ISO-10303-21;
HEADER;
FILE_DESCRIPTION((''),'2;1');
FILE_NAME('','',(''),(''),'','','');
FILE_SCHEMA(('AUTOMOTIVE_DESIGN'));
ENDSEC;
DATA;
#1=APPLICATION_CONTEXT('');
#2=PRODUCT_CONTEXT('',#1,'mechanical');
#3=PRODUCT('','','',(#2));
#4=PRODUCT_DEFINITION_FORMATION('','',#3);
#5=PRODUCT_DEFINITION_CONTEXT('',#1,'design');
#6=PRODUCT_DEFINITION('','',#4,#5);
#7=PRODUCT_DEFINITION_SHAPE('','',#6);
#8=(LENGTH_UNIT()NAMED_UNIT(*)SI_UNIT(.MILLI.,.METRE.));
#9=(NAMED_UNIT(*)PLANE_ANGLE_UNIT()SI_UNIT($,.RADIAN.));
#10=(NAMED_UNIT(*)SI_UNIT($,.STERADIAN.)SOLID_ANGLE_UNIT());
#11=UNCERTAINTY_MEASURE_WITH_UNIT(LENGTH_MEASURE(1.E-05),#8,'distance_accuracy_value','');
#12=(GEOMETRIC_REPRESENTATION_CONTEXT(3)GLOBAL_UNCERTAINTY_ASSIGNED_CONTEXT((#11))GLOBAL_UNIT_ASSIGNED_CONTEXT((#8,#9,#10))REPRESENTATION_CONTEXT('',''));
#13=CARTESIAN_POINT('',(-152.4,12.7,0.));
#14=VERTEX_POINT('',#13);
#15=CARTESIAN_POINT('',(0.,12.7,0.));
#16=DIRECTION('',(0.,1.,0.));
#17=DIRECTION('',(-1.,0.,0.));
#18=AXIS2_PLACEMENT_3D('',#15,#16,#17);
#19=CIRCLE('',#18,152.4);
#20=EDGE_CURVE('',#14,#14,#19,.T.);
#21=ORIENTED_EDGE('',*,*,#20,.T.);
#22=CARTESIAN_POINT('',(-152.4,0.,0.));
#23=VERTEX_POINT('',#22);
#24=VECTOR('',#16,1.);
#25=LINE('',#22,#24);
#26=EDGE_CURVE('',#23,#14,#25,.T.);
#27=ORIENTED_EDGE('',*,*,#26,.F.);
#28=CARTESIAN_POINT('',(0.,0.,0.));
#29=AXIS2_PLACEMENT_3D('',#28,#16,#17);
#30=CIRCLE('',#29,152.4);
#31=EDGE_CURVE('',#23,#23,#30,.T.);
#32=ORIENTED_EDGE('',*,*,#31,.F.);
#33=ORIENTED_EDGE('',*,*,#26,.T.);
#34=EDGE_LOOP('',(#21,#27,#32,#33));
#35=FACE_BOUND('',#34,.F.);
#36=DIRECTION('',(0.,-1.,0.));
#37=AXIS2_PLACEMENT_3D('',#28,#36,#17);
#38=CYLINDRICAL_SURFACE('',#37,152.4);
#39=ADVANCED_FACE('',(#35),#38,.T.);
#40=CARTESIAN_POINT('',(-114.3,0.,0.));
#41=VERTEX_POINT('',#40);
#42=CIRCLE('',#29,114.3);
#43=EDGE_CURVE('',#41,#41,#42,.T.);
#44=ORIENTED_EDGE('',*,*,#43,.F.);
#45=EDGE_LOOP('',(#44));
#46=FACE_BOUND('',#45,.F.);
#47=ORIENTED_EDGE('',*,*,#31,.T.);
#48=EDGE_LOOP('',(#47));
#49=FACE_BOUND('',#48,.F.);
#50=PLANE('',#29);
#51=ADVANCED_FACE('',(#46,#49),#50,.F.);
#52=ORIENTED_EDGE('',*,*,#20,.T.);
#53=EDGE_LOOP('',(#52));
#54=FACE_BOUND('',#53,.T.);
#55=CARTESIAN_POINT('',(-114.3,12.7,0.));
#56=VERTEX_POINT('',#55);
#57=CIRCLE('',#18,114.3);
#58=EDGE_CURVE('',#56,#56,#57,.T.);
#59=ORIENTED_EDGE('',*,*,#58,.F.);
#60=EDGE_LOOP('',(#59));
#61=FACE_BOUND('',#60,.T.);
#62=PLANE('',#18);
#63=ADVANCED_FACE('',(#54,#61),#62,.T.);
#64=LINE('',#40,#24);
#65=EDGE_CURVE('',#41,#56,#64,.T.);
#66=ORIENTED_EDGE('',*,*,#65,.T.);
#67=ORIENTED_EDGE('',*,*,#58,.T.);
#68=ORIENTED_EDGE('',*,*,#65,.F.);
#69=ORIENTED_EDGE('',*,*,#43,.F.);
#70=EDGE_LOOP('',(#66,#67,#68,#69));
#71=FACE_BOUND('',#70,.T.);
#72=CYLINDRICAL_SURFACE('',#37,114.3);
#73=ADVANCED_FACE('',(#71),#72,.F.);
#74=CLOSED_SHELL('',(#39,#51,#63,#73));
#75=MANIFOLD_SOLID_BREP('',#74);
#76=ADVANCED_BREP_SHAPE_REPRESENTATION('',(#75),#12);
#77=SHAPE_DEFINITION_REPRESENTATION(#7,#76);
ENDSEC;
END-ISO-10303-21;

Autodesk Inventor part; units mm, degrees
ref_plane "YZ Plane" through (0, 0, 0) normal (1, 0, 0) x (0, 1, 0)
ref_plane "XZ Plane" through (0, 0, 0) normal (0, 1, 0) x (-1, 0, 0)
ref_plane "XY Plane" through (0, 0, 0) normal (0, 0, 1) x (1, 0, 0)
sketch "Sketch1" plane through (0, 0, 0) normal (0, 1, 0) x (-1, 0, 0)
  circle A0 centre (0, 0) radius 114.3
  circle A1 centre (0, 0) radius 152.4
  dimension "d0" = 228.6
  dimension "d1" = 304.8
extrude "Extrusion1" add sketch "Sketch1" along normal blind 12.7
properties part number "rim.stl"
